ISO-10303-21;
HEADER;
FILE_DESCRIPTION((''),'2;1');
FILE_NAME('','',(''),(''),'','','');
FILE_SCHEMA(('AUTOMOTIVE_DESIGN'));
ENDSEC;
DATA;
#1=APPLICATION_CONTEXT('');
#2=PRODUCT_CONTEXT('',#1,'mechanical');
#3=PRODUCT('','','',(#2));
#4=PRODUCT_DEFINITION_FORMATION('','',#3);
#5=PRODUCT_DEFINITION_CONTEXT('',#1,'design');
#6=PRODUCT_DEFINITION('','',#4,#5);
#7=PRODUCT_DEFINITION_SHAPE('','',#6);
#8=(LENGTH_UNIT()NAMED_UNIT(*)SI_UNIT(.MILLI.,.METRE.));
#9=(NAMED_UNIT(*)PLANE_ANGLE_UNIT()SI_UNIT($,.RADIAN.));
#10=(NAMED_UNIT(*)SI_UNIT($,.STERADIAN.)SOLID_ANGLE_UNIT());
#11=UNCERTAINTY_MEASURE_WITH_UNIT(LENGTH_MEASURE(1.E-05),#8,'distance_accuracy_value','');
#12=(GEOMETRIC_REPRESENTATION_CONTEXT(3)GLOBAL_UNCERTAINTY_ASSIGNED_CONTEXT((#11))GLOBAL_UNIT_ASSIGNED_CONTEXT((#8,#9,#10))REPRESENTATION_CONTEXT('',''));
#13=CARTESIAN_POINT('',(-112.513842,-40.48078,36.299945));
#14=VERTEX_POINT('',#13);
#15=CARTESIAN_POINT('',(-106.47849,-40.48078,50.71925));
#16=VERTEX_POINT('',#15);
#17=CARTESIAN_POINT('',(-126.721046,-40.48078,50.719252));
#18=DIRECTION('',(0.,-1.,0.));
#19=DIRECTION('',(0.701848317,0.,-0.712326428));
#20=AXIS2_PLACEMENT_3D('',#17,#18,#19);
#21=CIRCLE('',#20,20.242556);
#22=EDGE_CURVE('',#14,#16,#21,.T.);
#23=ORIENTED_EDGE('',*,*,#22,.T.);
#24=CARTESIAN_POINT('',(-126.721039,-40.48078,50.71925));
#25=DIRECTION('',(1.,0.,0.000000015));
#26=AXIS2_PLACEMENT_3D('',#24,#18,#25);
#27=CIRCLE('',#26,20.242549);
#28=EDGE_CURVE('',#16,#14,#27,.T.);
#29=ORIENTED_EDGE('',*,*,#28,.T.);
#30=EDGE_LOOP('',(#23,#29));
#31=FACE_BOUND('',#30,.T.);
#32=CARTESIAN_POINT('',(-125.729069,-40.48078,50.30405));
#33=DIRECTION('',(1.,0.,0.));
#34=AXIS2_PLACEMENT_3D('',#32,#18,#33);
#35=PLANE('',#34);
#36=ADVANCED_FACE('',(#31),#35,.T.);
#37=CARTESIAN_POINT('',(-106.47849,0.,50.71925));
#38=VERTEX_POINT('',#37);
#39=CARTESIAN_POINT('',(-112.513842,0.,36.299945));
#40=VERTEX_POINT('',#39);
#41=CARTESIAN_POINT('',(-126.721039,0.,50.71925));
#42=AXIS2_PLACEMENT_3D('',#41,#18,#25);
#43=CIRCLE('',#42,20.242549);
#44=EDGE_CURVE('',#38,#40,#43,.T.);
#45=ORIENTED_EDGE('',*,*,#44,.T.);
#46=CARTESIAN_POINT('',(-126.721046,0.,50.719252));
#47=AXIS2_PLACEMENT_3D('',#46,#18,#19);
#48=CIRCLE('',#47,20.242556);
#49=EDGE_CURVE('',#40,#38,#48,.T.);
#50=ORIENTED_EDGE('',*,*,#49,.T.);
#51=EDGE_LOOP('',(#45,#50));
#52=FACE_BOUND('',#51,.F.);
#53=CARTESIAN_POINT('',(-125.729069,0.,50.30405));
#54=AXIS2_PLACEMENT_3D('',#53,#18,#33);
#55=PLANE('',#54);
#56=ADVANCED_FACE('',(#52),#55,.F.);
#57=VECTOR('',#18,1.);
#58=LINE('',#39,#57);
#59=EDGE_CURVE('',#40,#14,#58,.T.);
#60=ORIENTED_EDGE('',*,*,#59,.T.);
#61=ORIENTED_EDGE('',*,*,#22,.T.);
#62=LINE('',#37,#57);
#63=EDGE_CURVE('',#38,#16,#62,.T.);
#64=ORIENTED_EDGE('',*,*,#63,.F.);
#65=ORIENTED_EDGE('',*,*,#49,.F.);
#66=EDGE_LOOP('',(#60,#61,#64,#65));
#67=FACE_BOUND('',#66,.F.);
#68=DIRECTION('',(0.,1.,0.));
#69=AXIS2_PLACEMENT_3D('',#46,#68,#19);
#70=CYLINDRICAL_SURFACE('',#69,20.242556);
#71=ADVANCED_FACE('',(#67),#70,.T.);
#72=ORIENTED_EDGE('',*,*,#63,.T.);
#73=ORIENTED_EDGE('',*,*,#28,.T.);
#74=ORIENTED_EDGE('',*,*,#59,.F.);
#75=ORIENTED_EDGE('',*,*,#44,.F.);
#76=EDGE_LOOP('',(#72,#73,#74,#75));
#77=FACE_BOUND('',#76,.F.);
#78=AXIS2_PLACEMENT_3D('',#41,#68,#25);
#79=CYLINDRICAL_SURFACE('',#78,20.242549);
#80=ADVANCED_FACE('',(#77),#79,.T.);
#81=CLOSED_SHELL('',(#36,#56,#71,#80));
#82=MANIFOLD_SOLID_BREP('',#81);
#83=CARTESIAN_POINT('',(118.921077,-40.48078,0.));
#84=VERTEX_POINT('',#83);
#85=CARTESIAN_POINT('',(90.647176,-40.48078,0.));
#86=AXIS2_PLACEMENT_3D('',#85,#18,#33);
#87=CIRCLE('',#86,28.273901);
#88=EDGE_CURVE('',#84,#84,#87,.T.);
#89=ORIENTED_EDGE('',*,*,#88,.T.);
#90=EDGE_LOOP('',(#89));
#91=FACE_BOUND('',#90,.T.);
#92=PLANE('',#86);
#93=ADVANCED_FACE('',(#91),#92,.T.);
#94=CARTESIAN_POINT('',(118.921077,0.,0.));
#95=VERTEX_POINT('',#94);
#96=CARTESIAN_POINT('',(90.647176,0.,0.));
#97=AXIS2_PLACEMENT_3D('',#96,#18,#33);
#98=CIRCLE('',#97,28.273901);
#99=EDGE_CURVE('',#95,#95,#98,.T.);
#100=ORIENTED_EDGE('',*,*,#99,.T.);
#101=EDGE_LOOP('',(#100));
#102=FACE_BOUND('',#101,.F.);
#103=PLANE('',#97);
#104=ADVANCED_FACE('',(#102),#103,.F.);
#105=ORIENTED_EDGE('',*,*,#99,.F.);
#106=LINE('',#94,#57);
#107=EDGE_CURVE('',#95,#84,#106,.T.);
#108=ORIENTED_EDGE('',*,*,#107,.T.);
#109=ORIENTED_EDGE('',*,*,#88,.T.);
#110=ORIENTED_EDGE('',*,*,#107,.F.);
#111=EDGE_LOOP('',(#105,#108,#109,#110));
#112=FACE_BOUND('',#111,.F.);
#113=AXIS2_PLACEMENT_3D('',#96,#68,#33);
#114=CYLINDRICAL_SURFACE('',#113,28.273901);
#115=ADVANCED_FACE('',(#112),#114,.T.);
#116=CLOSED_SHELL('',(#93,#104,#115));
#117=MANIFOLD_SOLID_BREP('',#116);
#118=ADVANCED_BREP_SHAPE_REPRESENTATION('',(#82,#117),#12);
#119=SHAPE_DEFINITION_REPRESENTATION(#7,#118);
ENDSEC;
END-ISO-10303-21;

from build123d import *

# Parameters (mm, degrees)
F0_R     = 28.273901
F1_DEPTH = 40.48078


with BuildPart() as f1:
    # F0 (on Front) → F1 (new body)
    with BuildSketch(Plane.XZ):
        with BuildLine():
            ThreePointArc((-106.47849, 50.71925), (-145.39389, 58.534968), (-112.513842, 36.299945))
            ThreePointArc((-112.513842, 36.299945), (-108.048189, 42.903532), (-106.47849, 50.71925))
        make_face()
        with Locations((90.647176, 0)):
            Circle(F0_R)
    extrude(amount=F1_DEPTH)


solid = f1.part
